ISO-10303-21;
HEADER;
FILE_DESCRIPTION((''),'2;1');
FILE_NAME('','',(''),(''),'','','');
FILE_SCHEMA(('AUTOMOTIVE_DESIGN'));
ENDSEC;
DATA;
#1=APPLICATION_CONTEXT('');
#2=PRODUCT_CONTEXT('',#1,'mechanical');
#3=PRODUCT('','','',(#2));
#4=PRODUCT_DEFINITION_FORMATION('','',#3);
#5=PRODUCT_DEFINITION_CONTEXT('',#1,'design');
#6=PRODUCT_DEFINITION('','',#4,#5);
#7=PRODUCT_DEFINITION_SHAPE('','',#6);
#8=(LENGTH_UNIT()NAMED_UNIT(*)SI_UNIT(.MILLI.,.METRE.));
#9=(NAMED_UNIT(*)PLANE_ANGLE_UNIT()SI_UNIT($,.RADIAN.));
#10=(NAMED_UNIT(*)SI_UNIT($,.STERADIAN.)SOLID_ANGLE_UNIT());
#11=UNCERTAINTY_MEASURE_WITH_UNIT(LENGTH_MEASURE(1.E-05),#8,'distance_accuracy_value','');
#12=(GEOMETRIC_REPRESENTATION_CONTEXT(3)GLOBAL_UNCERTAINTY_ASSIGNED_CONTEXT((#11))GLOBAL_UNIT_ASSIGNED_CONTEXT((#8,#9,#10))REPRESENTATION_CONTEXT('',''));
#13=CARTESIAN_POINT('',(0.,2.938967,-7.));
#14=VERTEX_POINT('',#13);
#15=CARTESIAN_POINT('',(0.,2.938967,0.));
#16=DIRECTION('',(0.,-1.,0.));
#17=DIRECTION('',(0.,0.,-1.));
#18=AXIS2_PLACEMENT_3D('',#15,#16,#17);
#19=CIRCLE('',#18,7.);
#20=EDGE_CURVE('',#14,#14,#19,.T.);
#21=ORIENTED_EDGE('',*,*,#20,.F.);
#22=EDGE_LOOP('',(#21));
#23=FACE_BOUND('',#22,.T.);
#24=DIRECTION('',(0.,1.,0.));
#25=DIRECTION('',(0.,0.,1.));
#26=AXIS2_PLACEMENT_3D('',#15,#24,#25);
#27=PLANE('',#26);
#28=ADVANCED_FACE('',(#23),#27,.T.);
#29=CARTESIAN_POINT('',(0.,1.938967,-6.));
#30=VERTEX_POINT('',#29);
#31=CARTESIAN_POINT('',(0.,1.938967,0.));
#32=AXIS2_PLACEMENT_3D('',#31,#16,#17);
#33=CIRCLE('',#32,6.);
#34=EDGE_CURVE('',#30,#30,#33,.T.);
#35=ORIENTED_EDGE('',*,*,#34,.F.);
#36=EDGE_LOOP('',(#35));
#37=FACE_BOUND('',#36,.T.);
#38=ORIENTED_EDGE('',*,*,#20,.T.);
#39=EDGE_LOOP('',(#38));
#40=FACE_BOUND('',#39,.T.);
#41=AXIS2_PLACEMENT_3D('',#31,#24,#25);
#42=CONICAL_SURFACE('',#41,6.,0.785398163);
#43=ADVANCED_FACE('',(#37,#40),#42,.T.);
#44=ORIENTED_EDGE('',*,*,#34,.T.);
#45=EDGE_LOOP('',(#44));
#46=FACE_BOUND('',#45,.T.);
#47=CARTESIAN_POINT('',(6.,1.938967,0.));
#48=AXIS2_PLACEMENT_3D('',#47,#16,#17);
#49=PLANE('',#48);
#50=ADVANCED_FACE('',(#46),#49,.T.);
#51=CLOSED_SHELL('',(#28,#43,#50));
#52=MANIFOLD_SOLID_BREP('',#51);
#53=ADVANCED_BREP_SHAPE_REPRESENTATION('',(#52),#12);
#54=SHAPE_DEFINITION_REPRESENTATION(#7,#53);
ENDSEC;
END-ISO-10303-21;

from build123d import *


with BuildPart() as part:
    # Sketch1 → Foot Revolve (revolve)
    with BuildSketch(Plane.XY, mode=Mode.PRIVATE) as foot_revolve_sk:
        Polygon((0, 2.938967136), (7, 2.938967136), (6, 1.938967136), (0, 1.938967136), align=None)
    revolve(foot_revolve_sk.sketch.rotate(Axis((0, -6.474178404, 0), (0, 1, 0)), 90), axis=Axis((0, -6.474178404, 0), (0, 1, 0)))


solid = part.part
